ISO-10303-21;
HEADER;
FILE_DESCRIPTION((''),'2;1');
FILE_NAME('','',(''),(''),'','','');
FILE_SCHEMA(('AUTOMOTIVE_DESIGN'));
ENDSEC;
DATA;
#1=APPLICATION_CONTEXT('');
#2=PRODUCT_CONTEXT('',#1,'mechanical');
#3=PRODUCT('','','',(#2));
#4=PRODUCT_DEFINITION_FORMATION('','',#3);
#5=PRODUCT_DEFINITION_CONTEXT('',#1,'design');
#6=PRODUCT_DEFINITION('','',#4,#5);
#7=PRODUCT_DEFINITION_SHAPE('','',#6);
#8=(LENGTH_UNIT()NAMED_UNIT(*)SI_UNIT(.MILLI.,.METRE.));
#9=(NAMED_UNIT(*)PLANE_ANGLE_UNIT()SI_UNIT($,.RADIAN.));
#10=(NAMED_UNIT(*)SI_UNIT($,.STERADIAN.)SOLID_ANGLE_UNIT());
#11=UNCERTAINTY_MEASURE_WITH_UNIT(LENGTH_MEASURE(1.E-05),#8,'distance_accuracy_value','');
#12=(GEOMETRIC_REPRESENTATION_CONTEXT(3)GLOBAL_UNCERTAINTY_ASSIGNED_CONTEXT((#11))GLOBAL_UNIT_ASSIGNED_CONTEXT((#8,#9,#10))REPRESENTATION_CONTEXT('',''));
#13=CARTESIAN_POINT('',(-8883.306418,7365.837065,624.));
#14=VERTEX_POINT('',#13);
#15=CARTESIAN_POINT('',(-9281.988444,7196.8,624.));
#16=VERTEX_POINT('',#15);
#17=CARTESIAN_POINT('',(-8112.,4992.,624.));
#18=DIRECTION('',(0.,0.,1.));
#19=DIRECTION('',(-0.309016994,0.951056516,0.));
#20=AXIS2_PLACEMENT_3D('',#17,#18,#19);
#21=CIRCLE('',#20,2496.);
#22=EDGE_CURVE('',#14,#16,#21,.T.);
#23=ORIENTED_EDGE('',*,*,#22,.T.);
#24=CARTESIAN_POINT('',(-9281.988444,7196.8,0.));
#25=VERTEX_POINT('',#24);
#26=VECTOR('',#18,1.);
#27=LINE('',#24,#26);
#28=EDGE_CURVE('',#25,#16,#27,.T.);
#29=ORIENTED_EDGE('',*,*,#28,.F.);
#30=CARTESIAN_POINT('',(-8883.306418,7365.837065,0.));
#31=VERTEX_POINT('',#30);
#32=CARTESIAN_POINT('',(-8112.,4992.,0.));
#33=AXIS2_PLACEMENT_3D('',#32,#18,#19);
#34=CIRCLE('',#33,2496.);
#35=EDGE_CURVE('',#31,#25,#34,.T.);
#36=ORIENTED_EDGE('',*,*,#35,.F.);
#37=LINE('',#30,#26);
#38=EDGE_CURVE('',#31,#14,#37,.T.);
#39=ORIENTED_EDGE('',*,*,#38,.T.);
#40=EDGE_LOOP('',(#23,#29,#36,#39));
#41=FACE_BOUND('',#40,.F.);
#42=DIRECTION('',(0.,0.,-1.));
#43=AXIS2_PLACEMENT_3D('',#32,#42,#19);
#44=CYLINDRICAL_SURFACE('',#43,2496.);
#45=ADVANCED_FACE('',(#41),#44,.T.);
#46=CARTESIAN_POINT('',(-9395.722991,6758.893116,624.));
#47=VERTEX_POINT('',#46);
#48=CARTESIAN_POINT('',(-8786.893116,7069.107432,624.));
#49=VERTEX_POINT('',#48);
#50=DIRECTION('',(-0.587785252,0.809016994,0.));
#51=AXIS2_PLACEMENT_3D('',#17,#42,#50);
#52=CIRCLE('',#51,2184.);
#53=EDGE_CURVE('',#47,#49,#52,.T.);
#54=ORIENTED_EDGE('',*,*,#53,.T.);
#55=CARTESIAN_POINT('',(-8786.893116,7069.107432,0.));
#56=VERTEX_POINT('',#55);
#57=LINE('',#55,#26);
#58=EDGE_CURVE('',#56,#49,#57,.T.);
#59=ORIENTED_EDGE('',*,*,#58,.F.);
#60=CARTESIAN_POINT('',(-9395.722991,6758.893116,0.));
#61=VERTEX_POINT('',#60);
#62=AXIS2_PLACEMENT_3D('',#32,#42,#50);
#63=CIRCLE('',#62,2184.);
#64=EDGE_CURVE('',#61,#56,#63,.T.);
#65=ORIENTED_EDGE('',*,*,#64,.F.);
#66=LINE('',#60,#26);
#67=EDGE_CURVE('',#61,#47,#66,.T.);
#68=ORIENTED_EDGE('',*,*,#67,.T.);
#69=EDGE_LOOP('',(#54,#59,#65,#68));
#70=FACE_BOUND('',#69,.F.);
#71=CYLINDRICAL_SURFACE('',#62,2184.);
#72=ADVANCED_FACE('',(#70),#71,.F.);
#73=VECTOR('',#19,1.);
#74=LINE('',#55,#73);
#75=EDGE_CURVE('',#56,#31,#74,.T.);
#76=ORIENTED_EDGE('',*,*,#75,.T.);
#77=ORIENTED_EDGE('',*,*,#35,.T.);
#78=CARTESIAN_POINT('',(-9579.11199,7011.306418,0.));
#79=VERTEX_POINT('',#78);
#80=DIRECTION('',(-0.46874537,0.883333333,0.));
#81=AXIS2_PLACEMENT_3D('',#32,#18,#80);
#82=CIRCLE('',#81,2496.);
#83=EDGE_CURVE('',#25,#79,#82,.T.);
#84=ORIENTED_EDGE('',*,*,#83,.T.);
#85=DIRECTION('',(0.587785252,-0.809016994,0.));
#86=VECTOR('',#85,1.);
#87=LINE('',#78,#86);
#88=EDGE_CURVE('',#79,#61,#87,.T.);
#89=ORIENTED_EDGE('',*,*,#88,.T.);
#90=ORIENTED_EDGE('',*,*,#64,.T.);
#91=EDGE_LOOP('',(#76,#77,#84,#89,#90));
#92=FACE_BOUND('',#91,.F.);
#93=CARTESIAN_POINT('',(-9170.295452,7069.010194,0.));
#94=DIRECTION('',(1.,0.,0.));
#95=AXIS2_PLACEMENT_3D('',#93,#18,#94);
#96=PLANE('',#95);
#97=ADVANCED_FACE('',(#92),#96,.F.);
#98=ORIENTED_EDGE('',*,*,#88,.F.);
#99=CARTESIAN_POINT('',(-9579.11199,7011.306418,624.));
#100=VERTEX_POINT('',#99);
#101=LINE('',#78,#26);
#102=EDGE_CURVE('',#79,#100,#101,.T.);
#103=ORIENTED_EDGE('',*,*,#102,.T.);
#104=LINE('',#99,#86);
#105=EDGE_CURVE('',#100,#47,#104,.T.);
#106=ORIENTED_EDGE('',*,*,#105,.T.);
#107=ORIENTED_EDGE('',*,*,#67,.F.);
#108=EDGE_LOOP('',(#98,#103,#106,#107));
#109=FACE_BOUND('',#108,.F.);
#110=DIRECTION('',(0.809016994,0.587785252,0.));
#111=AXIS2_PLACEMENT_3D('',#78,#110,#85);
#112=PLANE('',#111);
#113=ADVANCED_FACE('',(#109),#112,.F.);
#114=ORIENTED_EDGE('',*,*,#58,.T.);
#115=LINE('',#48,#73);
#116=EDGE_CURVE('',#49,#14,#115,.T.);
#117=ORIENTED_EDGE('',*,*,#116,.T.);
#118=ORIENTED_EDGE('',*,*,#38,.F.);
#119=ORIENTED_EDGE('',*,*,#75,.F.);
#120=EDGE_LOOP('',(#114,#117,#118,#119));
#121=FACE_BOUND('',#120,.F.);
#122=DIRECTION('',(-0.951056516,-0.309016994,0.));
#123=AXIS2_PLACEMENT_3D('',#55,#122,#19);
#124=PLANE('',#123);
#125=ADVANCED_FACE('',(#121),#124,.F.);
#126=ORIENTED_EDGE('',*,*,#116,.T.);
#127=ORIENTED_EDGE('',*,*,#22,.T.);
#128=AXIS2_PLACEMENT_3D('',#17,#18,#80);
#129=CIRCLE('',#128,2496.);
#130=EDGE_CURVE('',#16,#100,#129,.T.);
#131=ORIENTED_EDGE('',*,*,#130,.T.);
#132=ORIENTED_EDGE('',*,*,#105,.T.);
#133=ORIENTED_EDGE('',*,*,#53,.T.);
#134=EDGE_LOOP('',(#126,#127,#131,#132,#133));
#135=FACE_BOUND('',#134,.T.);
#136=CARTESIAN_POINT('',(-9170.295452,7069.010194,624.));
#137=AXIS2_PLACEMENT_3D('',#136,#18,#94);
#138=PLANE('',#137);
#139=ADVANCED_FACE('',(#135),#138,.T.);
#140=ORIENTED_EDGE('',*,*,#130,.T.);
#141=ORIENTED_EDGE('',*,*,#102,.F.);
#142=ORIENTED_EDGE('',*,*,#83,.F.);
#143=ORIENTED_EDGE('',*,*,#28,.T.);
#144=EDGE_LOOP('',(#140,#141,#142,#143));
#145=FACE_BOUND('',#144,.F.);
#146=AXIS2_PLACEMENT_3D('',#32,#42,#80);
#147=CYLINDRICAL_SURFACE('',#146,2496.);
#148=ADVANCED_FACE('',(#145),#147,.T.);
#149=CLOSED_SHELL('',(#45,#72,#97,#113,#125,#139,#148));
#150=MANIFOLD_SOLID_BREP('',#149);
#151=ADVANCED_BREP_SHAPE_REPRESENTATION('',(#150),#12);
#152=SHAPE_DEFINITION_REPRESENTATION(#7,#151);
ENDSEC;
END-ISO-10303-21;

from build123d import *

# Parameters (mm, degrees)
EXTRUDE_1_DEPTH = 480
SCALE_1_SCALE   = 1.3


with BuildPart() as part:
    # 草图1 → 凸台-拉伸1 (new body)
    with BuildSketch(Plane.XY):
        with BuildLine():
            Line((-7368.547684402, 5393.3126292), (-7227.479223851, 5199.14855055))
            ThreePointArc((-7227.479223851, 5199.14855055), (-7002.704039562, 5336.890960636), (-6759.14855055, 5437.774947376))
            Line((-6759.14855055, 5437.774947376), (-6833.3126292, 5666.028511287))
            ThreePointArc((-6833.3126292, 5666.028511287), (-6989.477063432, 5607.677609574), (-7139.991111067, 5536))
            ThreePointArc((-7139.991111067, 5536), (-7256.775458313, 5468.670521429), (-7368.547684402, 5393.3126292))
        make_face()
    extrude(amount=EXTRUDE_1_DEPTH)


with BuildPart() as part_1:
    # 缩放比例1: scaled about (0, 0, 0)
    add(part.part.scale(SCALE_1_SCALE))


solid = part_1.part
